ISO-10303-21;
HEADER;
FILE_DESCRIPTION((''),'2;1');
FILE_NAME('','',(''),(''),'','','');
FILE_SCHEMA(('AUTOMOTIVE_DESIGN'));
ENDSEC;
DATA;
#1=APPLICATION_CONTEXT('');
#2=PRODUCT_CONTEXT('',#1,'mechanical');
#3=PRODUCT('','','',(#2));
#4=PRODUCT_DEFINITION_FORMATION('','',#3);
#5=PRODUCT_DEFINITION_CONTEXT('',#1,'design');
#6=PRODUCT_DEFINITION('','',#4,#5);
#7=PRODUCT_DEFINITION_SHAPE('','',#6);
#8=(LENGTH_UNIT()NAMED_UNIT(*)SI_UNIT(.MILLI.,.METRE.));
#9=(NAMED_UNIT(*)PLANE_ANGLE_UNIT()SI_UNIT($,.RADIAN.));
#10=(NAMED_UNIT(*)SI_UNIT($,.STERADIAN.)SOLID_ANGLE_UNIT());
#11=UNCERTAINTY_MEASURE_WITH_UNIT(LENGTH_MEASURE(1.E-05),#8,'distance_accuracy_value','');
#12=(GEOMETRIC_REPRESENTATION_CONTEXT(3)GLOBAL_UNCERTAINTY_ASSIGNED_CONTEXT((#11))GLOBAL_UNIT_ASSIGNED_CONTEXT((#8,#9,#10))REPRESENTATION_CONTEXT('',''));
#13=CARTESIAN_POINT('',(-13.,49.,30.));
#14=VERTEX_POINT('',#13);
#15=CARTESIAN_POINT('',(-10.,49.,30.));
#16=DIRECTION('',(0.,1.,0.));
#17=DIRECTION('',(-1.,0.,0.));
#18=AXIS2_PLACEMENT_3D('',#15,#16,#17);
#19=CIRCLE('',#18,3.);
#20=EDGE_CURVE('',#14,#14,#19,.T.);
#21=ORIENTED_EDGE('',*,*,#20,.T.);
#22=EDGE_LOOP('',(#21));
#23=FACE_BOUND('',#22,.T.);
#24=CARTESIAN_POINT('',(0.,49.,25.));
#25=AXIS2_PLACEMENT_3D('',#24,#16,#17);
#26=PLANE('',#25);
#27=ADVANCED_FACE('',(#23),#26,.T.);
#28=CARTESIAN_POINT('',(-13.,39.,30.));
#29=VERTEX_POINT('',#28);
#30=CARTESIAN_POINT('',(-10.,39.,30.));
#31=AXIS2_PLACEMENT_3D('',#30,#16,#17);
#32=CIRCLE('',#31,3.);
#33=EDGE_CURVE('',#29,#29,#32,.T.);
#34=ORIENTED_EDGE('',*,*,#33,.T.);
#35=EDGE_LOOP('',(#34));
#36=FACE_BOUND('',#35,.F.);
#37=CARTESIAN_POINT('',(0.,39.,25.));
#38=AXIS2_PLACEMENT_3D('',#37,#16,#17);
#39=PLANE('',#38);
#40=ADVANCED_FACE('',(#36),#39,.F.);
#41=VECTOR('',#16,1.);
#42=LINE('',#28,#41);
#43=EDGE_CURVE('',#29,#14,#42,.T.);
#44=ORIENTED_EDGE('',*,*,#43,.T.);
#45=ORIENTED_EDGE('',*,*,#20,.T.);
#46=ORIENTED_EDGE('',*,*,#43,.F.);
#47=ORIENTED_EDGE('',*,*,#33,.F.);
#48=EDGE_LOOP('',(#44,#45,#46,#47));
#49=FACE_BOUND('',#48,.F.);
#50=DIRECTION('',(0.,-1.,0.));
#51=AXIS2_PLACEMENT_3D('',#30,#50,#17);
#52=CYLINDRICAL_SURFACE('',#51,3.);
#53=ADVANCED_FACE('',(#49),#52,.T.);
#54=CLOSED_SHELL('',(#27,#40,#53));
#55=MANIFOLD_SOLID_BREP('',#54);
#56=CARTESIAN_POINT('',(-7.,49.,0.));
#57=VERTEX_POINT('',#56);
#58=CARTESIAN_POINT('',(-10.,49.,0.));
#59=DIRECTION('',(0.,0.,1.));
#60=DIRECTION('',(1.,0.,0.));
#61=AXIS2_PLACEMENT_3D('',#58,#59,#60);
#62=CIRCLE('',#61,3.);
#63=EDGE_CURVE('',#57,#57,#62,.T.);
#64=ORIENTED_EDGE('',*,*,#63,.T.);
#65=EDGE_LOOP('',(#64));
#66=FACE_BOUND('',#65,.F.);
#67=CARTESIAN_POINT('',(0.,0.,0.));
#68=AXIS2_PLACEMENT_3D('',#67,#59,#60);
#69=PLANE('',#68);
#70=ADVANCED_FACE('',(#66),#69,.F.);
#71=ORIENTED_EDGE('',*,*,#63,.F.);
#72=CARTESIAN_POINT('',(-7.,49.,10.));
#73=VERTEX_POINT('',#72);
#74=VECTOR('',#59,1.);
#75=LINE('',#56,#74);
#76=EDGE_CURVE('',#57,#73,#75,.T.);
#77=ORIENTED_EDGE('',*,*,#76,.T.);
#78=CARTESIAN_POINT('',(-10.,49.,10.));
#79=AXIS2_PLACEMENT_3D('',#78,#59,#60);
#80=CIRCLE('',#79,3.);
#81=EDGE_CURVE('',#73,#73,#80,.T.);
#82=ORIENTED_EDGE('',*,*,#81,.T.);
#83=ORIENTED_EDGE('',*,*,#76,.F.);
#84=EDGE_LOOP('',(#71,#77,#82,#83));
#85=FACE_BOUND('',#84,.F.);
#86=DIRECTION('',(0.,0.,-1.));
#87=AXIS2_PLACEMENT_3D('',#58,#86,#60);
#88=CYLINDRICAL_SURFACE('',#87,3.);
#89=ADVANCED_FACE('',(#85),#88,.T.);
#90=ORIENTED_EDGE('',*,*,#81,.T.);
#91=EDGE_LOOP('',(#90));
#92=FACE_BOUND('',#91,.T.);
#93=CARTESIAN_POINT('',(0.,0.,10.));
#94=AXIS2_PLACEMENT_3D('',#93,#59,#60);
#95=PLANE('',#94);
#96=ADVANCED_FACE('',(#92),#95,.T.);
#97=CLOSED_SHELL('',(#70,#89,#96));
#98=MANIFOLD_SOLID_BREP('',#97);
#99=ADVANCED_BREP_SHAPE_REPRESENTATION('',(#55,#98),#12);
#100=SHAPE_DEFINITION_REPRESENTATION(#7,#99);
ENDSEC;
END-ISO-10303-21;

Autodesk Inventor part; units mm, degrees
ref_plane "YZ Plane" through (0, 0, 0) normal (1, 0, 0) x (0, 1, 0)
ref_plane "XZ Plane" through (0, 0, 0) normal (0, 1, 0) x (-1, 0, 0)
ref_plane "XY Plane" through (0, 0, 0) normal (0, 0, 1) x (1, 0, 0)
ref_plane "Plano de trabajo1" through (0, 0, 0) normal (0, 0, 1) x (1, 0, 0)
sketch "Boceto1" plane through (0, 0, 0) normal (0, 0, 1) x (1, 0, 0)
  line L0 (-15.5, 39) -> (15.5, 39) construction
  line L1 (0, 35.4) -> (0, 39.6) construction
  circle A0 centre (-10, 49) radius 3
  line L2 (-12.6, 39) -> (-7.4, 39) construction
  point P0 (0, 0)
  point P1 (-10, 39)
  dimension "d0" = 6
  dimension "d1" = 10
  dimension "d7" = 0
extrude "Extrusión1" add sketch "Boceto1" along normal blind 10
ref_plane "Plano de trabajo2" through (0, 39, 25) normal (0, 1, 0) x (-1, 0, 0)
sketch "Boceto2" plane through (0, 39, 25) normal (0, 1, 0) x (-1, 0, 0)
  circle A0 centre (10, 5) radius 2.6 construction
  circle A1 centre (10, 5) radius 3
  point P0 (0, -25)
  dimension "d4" = 6
extrude "Extrusión2" add sketch "Boceto2" along normal blind 10
properties part number "BaseEjeConicos"
